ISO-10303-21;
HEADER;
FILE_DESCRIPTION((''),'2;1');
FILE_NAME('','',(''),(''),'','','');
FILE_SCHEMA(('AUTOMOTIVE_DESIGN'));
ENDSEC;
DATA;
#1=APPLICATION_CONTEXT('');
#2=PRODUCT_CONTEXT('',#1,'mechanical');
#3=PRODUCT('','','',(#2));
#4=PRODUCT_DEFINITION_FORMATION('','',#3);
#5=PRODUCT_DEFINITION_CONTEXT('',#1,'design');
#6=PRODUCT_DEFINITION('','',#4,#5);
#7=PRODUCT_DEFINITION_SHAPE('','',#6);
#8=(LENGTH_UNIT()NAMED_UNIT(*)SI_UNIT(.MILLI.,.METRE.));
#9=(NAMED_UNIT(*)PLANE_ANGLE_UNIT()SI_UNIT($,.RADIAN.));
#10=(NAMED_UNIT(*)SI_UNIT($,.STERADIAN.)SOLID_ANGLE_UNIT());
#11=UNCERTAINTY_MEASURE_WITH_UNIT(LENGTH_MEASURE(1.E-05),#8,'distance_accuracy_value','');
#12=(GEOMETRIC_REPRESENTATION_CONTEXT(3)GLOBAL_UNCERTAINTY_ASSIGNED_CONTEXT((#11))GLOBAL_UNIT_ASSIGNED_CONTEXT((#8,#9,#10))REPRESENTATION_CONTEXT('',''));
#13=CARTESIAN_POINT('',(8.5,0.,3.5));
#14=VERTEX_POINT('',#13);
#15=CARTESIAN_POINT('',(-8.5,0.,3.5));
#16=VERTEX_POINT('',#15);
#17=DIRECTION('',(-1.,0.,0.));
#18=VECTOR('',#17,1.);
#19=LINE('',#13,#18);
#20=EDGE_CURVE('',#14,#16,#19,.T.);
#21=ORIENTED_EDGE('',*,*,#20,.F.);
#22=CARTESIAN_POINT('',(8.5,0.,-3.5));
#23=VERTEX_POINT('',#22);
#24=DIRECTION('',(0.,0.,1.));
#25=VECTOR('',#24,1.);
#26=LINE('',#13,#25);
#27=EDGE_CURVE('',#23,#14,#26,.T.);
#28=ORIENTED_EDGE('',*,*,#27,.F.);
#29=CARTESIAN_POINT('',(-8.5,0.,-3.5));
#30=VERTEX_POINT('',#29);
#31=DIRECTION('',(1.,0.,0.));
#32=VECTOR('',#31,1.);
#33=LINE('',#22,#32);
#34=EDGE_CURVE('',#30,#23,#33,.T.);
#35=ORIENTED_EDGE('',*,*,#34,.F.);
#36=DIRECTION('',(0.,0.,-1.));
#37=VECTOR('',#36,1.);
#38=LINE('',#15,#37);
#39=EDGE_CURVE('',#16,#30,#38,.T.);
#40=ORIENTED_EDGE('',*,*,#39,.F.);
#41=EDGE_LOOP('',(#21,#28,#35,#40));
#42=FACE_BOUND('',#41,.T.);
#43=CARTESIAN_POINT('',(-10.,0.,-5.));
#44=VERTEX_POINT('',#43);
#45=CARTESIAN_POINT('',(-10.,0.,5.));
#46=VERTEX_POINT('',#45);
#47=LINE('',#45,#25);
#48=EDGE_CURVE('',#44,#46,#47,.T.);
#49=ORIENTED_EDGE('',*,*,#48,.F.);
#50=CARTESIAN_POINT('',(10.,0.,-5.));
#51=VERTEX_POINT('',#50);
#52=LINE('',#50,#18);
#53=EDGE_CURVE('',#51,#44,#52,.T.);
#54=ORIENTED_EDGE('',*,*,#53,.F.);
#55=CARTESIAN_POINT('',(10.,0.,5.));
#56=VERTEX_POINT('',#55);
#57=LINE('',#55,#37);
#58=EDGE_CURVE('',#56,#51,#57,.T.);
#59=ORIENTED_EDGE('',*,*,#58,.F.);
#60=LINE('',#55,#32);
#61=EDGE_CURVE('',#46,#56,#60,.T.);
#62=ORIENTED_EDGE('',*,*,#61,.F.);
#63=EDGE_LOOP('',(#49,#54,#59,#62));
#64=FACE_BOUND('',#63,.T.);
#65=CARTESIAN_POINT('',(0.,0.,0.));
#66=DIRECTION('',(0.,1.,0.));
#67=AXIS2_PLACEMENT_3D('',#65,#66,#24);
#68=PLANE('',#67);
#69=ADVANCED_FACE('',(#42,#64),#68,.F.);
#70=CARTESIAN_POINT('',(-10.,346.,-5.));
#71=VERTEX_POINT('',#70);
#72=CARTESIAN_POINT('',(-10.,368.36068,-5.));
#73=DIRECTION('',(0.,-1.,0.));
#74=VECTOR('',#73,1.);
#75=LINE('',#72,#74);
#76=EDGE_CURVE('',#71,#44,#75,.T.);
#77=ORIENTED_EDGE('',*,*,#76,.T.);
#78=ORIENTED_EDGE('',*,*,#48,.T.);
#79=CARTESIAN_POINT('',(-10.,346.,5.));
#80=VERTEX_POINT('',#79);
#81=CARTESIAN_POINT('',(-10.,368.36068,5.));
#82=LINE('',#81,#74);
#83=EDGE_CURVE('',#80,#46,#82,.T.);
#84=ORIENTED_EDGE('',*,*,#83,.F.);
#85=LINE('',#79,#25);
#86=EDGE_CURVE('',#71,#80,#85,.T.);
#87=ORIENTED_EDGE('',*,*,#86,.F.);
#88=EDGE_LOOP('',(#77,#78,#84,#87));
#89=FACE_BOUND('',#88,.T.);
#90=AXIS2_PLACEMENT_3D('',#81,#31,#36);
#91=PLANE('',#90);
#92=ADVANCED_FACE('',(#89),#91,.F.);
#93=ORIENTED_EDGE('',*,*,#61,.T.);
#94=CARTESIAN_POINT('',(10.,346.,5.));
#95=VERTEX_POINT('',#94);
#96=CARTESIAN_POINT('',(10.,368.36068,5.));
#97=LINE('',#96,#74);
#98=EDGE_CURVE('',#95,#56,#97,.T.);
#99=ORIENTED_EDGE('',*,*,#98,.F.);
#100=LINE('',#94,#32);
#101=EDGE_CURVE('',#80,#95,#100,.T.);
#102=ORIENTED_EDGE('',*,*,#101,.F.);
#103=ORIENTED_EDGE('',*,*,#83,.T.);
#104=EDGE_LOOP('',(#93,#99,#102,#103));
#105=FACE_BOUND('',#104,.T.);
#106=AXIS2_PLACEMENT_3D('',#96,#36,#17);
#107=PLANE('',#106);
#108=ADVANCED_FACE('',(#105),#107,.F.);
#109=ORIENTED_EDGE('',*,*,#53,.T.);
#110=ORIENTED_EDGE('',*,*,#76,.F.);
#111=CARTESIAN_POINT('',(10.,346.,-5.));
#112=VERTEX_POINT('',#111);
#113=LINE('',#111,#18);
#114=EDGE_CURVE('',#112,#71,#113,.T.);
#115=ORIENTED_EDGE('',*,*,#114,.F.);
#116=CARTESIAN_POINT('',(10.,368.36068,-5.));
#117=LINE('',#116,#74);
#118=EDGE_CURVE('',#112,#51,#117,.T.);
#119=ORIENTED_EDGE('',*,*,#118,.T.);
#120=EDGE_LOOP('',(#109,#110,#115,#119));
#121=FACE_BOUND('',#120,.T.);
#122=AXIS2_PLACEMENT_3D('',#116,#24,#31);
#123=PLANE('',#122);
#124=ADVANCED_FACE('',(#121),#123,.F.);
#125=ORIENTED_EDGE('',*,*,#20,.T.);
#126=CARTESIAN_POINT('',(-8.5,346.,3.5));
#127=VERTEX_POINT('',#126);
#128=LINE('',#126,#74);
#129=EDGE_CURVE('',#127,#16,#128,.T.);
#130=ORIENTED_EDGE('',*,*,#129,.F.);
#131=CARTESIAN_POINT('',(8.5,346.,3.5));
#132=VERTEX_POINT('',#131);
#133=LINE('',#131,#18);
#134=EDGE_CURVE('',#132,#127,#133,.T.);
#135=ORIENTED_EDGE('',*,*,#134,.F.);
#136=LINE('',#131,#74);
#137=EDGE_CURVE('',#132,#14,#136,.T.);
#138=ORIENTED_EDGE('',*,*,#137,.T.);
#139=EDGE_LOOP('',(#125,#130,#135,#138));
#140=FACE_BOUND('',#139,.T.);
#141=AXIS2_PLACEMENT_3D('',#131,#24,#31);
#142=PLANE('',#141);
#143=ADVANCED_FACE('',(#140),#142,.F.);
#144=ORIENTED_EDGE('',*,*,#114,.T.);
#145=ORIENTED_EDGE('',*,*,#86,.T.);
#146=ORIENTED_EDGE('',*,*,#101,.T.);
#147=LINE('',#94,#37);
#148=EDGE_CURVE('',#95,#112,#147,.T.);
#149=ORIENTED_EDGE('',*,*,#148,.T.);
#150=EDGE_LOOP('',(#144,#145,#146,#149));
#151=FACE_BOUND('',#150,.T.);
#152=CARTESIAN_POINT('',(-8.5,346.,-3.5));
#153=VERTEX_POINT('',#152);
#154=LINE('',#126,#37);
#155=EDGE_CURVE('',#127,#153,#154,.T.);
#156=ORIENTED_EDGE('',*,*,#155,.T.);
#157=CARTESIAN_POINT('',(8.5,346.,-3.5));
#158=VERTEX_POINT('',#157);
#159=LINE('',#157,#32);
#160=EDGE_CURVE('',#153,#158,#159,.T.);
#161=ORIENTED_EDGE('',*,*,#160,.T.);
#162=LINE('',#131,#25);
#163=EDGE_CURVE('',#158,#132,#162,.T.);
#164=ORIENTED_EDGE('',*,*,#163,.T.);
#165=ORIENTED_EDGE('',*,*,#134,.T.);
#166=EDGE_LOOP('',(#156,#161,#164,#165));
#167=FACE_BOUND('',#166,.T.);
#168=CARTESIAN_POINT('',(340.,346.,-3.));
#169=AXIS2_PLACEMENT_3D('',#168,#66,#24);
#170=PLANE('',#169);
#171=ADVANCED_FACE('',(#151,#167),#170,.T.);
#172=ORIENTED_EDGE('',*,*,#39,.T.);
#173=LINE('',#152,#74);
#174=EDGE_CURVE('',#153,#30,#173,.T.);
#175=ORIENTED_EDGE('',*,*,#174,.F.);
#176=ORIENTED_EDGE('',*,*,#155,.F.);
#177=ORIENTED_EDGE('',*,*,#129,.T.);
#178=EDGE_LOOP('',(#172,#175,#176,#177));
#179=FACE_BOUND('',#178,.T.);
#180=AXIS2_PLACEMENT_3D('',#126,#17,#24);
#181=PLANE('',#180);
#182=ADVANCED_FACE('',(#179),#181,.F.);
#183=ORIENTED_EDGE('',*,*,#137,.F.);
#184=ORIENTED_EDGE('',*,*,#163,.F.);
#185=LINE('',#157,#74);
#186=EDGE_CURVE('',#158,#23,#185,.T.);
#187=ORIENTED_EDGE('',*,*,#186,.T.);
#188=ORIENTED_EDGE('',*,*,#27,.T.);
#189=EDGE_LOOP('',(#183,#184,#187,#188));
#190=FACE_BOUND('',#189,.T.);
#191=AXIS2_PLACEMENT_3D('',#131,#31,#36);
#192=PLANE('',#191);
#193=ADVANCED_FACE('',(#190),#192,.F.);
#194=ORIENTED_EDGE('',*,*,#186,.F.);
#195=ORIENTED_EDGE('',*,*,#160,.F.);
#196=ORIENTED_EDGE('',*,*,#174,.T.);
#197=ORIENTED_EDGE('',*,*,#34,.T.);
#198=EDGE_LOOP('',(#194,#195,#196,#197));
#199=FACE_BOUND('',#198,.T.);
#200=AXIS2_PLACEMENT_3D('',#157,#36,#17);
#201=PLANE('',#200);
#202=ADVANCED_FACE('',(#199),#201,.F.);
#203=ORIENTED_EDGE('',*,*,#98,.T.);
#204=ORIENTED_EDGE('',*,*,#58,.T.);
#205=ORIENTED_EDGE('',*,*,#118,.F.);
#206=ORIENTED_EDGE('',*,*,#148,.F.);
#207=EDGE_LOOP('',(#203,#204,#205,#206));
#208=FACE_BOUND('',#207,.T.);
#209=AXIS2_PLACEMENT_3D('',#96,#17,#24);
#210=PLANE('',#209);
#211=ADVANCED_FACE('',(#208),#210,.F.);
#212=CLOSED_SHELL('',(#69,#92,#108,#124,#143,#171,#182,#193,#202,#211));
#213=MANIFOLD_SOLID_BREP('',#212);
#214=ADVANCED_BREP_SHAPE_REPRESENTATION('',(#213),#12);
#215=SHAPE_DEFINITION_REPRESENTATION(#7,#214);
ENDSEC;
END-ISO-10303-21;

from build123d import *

# Parameters (mm, degrees)
SKETCH1_W           = 20
SKETCH1_H           = 10
BOSS_EXTRUDE1_DEPTH = 346
SKETCH2_W           = 17
SKETCH2_H           = 7
CUT_EXTRUDE1_DEPTH  = 347.180588711


with BuildPart() as part:
    # Sketch1 → Boss-Extrude1 (new body)
    with BuildSketch(Plane(origin=(0, 0, 0), x_dir=(1, 0, 0), z_dir=(0, 1, 0))):
        Rectangle(SKETCH1_W, SKETCH1_H)
    extrude(amount=BOSS_EXTRUDE1_DEPTH)

    # Sketch2 → Cut-Extrude1 (cut, through all)
    with BuildSketch(Plane.XZ):
        Rectangle(SKETCH2_W, SKETCH2_H)
    extrude(amount=-CUT_EXTRUDE1_DEPTH, mode=Mode.SUBTRACT)


solid = part.part
